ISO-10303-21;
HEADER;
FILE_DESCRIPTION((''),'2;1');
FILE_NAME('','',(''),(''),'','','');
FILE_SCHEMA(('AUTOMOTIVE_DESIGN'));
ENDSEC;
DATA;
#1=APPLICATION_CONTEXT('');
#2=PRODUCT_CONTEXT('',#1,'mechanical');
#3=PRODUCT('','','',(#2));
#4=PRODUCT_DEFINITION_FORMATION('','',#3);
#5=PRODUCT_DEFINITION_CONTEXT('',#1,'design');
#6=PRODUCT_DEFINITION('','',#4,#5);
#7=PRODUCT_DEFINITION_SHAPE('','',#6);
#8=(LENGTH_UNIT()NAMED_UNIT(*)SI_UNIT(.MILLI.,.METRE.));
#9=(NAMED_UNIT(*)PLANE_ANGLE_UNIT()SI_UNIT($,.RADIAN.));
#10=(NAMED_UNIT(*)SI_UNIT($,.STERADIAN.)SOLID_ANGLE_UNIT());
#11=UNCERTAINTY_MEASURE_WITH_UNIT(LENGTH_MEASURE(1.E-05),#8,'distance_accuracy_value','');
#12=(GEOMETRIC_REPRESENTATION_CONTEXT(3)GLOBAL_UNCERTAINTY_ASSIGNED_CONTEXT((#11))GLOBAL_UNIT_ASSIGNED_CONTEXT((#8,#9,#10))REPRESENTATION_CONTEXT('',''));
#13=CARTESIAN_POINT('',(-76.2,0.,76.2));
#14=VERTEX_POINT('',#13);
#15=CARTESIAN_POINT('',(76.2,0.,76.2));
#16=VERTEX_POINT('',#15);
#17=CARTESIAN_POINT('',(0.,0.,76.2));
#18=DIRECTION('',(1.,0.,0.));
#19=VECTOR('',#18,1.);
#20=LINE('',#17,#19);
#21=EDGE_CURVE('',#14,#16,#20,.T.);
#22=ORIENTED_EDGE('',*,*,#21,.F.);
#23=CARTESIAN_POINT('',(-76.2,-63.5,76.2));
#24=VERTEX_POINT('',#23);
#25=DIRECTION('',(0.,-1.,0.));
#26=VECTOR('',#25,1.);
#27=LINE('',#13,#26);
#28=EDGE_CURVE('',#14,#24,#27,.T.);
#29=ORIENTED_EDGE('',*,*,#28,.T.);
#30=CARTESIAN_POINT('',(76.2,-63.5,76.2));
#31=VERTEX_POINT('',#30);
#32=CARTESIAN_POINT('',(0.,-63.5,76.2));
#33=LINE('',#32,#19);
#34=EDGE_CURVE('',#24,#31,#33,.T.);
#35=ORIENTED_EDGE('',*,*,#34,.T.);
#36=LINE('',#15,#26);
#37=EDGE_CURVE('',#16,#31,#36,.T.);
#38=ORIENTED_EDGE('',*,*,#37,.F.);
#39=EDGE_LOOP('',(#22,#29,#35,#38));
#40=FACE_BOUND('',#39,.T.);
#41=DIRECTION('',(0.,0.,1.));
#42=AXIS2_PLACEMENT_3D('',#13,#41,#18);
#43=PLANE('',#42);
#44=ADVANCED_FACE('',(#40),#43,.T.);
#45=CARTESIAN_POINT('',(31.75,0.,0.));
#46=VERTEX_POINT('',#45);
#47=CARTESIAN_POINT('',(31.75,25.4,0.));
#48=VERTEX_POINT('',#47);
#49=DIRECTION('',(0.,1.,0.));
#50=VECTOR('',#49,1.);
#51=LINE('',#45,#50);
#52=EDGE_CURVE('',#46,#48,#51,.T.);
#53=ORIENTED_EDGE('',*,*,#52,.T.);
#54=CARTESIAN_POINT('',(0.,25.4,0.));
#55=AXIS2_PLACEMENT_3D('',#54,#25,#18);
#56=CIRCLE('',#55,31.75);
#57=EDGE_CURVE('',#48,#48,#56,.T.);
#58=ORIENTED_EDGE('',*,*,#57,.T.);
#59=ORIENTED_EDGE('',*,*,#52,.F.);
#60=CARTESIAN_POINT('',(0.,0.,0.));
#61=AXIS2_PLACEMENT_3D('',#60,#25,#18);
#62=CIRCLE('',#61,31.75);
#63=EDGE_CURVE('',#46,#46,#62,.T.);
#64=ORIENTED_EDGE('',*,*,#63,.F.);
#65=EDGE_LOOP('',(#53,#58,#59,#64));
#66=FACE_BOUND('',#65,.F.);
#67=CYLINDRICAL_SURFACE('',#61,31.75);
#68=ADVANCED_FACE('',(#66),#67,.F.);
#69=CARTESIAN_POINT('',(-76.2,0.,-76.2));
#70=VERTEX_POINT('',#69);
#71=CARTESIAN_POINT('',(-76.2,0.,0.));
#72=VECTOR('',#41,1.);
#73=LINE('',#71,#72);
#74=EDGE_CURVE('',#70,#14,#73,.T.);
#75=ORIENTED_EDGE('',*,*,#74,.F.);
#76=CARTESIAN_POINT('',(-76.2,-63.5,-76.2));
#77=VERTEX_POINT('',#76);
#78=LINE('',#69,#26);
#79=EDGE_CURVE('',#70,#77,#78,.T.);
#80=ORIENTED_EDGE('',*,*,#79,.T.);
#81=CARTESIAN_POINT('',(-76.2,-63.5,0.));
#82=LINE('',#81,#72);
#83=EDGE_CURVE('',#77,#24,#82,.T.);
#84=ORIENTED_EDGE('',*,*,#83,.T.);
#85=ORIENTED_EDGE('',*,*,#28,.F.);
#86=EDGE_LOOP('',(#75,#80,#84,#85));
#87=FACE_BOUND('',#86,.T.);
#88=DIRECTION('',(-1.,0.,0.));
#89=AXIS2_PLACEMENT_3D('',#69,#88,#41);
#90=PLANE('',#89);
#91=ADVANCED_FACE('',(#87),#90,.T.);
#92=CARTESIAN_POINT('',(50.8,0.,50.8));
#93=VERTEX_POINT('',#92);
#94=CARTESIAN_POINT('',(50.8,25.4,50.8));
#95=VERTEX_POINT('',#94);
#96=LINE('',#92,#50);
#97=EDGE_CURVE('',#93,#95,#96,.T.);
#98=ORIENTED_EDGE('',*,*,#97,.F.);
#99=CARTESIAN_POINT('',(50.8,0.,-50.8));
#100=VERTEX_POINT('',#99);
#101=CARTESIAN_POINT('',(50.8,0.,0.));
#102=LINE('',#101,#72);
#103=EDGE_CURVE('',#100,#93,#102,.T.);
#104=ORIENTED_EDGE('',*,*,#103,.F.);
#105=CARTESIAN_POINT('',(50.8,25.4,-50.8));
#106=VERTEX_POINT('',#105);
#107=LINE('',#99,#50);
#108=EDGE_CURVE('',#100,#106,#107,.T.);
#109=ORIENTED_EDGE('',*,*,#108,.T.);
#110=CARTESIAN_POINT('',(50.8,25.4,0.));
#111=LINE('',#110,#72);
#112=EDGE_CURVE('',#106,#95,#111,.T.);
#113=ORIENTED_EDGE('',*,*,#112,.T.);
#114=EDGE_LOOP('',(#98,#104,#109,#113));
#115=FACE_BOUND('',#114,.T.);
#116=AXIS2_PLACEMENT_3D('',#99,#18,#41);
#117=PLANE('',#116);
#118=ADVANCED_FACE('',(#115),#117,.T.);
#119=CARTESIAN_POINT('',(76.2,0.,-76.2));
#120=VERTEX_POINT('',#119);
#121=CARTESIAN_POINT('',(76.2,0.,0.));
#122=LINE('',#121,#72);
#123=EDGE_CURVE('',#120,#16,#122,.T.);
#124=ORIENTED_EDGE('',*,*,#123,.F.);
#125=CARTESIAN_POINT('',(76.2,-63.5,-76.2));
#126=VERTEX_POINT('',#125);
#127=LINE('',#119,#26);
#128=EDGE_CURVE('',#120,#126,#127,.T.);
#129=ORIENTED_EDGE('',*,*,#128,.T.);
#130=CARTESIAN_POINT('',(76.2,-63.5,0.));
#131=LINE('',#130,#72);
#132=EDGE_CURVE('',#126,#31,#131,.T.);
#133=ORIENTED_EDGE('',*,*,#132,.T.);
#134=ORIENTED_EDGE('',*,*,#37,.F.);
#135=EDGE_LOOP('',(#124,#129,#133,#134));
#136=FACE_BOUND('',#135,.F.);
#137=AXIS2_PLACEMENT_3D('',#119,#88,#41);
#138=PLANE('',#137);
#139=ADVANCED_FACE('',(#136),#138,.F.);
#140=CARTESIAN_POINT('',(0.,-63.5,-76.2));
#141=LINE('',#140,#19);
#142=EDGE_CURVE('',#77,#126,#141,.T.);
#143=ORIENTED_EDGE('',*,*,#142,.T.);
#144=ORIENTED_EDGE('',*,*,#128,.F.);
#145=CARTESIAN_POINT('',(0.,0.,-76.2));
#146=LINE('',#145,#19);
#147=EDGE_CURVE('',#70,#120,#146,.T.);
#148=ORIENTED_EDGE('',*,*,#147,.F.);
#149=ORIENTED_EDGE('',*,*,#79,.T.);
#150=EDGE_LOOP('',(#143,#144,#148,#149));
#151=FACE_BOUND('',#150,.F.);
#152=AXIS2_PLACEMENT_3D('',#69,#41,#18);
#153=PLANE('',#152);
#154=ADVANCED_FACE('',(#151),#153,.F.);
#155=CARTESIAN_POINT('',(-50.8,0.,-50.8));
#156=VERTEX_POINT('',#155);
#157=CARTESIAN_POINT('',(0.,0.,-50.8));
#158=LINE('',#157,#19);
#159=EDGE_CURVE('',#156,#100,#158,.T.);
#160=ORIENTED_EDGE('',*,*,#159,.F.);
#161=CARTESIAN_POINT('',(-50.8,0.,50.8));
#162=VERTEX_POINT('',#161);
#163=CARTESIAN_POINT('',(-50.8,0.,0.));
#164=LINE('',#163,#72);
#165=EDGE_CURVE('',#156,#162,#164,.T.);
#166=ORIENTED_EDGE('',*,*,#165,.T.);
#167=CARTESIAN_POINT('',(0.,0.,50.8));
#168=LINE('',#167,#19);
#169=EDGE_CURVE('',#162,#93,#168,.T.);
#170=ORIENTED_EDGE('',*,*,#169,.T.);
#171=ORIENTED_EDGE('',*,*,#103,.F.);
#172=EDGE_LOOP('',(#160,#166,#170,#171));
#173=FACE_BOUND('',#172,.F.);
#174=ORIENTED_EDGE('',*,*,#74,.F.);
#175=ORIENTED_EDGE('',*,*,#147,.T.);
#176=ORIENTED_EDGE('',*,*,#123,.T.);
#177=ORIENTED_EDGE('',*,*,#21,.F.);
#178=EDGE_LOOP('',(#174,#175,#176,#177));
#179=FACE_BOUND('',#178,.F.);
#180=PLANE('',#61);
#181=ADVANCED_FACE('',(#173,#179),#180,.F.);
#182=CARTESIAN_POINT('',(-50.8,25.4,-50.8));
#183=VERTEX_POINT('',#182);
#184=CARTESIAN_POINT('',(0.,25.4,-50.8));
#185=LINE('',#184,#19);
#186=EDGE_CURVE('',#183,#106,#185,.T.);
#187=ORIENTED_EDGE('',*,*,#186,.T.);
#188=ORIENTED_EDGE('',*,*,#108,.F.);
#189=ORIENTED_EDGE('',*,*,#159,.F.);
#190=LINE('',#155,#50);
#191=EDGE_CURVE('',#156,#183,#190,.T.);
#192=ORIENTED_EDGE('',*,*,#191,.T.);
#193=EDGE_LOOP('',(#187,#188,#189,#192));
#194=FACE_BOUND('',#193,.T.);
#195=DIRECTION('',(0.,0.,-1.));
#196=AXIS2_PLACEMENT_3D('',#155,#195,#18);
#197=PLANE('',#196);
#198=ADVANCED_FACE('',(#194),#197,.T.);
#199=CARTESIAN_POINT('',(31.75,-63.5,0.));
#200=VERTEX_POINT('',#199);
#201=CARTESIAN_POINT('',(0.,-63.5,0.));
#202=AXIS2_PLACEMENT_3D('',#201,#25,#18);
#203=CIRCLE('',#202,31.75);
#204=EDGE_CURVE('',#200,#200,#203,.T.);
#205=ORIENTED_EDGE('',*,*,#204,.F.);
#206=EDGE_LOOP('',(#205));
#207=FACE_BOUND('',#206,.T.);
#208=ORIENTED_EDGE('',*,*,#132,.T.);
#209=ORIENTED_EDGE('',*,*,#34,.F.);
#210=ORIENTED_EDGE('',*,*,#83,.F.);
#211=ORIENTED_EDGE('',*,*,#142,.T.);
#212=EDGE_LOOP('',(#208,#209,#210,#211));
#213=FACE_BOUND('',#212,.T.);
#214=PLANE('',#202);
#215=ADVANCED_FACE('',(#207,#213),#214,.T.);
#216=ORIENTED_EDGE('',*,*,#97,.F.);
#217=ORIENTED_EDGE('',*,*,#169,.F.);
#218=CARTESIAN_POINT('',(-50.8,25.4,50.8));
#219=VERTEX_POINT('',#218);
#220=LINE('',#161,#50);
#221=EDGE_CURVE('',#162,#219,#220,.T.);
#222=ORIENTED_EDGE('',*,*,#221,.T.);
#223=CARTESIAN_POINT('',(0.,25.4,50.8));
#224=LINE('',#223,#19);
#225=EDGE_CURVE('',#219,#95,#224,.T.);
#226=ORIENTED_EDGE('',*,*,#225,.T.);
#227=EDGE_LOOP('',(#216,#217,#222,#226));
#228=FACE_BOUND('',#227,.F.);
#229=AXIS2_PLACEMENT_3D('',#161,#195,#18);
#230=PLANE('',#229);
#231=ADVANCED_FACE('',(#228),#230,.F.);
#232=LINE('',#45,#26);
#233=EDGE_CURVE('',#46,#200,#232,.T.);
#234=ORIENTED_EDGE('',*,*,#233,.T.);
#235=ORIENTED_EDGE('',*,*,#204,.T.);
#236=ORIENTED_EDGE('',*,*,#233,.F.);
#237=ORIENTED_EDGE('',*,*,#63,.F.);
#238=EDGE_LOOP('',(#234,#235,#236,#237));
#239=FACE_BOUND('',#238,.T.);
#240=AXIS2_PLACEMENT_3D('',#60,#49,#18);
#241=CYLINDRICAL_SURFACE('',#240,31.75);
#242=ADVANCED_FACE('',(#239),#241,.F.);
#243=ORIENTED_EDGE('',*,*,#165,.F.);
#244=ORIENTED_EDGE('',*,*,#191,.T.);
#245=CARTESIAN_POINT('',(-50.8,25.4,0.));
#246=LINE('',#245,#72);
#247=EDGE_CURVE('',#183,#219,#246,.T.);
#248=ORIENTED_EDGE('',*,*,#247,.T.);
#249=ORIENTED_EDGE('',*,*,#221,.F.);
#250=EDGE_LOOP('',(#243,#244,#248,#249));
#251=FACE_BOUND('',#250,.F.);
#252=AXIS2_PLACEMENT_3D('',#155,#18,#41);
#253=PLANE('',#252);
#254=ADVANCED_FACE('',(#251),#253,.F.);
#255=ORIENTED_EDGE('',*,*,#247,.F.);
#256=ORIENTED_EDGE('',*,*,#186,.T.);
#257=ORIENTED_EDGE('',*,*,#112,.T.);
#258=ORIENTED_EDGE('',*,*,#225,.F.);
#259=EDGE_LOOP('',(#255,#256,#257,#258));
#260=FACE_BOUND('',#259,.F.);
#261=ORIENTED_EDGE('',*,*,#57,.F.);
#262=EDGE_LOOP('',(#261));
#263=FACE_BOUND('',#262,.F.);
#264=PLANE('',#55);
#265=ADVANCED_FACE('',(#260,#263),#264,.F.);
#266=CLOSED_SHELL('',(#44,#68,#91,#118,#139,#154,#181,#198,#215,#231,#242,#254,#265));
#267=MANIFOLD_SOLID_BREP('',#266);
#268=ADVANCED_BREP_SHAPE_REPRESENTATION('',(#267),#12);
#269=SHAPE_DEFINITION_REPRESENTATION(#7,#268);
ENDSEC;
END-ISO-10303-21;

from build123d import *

# Parameters (mm, degrees)
F0_W     = 152.4
F0_H     = 152.4
F0_W_2   = 101.6
F0_H_2   = 101.6
F0_R     = 31.75
F1_DEPTH = 63.5
F2_DEPTH = 25.4


with BuildPart() as f1:
    # F0 (on Front) → F1 (new body)
    with BuildSketch(Plane.XZ):
        Rectangle(F0_W, F0_H)
        Rectangle(F0_W_2, F0_H_2, mode=Mode.SUBTRACT)
        Rectangle(F0_W_2, F0_H_2)
        Circle(F0_R, mode=Mode.SUBTRACT)
    extrude(amount=F1_DEPTH)

    # F0 (on Front) → F2 (join)
    with BuildSketch(Plane.XZ):
        Rectangle(F0_W_2, F0_H_2)
        Circle(F0_R, mode=Mode.SUBTRACT)
    extrude(amount=-F2_DEPTH)


solid = f1.part
